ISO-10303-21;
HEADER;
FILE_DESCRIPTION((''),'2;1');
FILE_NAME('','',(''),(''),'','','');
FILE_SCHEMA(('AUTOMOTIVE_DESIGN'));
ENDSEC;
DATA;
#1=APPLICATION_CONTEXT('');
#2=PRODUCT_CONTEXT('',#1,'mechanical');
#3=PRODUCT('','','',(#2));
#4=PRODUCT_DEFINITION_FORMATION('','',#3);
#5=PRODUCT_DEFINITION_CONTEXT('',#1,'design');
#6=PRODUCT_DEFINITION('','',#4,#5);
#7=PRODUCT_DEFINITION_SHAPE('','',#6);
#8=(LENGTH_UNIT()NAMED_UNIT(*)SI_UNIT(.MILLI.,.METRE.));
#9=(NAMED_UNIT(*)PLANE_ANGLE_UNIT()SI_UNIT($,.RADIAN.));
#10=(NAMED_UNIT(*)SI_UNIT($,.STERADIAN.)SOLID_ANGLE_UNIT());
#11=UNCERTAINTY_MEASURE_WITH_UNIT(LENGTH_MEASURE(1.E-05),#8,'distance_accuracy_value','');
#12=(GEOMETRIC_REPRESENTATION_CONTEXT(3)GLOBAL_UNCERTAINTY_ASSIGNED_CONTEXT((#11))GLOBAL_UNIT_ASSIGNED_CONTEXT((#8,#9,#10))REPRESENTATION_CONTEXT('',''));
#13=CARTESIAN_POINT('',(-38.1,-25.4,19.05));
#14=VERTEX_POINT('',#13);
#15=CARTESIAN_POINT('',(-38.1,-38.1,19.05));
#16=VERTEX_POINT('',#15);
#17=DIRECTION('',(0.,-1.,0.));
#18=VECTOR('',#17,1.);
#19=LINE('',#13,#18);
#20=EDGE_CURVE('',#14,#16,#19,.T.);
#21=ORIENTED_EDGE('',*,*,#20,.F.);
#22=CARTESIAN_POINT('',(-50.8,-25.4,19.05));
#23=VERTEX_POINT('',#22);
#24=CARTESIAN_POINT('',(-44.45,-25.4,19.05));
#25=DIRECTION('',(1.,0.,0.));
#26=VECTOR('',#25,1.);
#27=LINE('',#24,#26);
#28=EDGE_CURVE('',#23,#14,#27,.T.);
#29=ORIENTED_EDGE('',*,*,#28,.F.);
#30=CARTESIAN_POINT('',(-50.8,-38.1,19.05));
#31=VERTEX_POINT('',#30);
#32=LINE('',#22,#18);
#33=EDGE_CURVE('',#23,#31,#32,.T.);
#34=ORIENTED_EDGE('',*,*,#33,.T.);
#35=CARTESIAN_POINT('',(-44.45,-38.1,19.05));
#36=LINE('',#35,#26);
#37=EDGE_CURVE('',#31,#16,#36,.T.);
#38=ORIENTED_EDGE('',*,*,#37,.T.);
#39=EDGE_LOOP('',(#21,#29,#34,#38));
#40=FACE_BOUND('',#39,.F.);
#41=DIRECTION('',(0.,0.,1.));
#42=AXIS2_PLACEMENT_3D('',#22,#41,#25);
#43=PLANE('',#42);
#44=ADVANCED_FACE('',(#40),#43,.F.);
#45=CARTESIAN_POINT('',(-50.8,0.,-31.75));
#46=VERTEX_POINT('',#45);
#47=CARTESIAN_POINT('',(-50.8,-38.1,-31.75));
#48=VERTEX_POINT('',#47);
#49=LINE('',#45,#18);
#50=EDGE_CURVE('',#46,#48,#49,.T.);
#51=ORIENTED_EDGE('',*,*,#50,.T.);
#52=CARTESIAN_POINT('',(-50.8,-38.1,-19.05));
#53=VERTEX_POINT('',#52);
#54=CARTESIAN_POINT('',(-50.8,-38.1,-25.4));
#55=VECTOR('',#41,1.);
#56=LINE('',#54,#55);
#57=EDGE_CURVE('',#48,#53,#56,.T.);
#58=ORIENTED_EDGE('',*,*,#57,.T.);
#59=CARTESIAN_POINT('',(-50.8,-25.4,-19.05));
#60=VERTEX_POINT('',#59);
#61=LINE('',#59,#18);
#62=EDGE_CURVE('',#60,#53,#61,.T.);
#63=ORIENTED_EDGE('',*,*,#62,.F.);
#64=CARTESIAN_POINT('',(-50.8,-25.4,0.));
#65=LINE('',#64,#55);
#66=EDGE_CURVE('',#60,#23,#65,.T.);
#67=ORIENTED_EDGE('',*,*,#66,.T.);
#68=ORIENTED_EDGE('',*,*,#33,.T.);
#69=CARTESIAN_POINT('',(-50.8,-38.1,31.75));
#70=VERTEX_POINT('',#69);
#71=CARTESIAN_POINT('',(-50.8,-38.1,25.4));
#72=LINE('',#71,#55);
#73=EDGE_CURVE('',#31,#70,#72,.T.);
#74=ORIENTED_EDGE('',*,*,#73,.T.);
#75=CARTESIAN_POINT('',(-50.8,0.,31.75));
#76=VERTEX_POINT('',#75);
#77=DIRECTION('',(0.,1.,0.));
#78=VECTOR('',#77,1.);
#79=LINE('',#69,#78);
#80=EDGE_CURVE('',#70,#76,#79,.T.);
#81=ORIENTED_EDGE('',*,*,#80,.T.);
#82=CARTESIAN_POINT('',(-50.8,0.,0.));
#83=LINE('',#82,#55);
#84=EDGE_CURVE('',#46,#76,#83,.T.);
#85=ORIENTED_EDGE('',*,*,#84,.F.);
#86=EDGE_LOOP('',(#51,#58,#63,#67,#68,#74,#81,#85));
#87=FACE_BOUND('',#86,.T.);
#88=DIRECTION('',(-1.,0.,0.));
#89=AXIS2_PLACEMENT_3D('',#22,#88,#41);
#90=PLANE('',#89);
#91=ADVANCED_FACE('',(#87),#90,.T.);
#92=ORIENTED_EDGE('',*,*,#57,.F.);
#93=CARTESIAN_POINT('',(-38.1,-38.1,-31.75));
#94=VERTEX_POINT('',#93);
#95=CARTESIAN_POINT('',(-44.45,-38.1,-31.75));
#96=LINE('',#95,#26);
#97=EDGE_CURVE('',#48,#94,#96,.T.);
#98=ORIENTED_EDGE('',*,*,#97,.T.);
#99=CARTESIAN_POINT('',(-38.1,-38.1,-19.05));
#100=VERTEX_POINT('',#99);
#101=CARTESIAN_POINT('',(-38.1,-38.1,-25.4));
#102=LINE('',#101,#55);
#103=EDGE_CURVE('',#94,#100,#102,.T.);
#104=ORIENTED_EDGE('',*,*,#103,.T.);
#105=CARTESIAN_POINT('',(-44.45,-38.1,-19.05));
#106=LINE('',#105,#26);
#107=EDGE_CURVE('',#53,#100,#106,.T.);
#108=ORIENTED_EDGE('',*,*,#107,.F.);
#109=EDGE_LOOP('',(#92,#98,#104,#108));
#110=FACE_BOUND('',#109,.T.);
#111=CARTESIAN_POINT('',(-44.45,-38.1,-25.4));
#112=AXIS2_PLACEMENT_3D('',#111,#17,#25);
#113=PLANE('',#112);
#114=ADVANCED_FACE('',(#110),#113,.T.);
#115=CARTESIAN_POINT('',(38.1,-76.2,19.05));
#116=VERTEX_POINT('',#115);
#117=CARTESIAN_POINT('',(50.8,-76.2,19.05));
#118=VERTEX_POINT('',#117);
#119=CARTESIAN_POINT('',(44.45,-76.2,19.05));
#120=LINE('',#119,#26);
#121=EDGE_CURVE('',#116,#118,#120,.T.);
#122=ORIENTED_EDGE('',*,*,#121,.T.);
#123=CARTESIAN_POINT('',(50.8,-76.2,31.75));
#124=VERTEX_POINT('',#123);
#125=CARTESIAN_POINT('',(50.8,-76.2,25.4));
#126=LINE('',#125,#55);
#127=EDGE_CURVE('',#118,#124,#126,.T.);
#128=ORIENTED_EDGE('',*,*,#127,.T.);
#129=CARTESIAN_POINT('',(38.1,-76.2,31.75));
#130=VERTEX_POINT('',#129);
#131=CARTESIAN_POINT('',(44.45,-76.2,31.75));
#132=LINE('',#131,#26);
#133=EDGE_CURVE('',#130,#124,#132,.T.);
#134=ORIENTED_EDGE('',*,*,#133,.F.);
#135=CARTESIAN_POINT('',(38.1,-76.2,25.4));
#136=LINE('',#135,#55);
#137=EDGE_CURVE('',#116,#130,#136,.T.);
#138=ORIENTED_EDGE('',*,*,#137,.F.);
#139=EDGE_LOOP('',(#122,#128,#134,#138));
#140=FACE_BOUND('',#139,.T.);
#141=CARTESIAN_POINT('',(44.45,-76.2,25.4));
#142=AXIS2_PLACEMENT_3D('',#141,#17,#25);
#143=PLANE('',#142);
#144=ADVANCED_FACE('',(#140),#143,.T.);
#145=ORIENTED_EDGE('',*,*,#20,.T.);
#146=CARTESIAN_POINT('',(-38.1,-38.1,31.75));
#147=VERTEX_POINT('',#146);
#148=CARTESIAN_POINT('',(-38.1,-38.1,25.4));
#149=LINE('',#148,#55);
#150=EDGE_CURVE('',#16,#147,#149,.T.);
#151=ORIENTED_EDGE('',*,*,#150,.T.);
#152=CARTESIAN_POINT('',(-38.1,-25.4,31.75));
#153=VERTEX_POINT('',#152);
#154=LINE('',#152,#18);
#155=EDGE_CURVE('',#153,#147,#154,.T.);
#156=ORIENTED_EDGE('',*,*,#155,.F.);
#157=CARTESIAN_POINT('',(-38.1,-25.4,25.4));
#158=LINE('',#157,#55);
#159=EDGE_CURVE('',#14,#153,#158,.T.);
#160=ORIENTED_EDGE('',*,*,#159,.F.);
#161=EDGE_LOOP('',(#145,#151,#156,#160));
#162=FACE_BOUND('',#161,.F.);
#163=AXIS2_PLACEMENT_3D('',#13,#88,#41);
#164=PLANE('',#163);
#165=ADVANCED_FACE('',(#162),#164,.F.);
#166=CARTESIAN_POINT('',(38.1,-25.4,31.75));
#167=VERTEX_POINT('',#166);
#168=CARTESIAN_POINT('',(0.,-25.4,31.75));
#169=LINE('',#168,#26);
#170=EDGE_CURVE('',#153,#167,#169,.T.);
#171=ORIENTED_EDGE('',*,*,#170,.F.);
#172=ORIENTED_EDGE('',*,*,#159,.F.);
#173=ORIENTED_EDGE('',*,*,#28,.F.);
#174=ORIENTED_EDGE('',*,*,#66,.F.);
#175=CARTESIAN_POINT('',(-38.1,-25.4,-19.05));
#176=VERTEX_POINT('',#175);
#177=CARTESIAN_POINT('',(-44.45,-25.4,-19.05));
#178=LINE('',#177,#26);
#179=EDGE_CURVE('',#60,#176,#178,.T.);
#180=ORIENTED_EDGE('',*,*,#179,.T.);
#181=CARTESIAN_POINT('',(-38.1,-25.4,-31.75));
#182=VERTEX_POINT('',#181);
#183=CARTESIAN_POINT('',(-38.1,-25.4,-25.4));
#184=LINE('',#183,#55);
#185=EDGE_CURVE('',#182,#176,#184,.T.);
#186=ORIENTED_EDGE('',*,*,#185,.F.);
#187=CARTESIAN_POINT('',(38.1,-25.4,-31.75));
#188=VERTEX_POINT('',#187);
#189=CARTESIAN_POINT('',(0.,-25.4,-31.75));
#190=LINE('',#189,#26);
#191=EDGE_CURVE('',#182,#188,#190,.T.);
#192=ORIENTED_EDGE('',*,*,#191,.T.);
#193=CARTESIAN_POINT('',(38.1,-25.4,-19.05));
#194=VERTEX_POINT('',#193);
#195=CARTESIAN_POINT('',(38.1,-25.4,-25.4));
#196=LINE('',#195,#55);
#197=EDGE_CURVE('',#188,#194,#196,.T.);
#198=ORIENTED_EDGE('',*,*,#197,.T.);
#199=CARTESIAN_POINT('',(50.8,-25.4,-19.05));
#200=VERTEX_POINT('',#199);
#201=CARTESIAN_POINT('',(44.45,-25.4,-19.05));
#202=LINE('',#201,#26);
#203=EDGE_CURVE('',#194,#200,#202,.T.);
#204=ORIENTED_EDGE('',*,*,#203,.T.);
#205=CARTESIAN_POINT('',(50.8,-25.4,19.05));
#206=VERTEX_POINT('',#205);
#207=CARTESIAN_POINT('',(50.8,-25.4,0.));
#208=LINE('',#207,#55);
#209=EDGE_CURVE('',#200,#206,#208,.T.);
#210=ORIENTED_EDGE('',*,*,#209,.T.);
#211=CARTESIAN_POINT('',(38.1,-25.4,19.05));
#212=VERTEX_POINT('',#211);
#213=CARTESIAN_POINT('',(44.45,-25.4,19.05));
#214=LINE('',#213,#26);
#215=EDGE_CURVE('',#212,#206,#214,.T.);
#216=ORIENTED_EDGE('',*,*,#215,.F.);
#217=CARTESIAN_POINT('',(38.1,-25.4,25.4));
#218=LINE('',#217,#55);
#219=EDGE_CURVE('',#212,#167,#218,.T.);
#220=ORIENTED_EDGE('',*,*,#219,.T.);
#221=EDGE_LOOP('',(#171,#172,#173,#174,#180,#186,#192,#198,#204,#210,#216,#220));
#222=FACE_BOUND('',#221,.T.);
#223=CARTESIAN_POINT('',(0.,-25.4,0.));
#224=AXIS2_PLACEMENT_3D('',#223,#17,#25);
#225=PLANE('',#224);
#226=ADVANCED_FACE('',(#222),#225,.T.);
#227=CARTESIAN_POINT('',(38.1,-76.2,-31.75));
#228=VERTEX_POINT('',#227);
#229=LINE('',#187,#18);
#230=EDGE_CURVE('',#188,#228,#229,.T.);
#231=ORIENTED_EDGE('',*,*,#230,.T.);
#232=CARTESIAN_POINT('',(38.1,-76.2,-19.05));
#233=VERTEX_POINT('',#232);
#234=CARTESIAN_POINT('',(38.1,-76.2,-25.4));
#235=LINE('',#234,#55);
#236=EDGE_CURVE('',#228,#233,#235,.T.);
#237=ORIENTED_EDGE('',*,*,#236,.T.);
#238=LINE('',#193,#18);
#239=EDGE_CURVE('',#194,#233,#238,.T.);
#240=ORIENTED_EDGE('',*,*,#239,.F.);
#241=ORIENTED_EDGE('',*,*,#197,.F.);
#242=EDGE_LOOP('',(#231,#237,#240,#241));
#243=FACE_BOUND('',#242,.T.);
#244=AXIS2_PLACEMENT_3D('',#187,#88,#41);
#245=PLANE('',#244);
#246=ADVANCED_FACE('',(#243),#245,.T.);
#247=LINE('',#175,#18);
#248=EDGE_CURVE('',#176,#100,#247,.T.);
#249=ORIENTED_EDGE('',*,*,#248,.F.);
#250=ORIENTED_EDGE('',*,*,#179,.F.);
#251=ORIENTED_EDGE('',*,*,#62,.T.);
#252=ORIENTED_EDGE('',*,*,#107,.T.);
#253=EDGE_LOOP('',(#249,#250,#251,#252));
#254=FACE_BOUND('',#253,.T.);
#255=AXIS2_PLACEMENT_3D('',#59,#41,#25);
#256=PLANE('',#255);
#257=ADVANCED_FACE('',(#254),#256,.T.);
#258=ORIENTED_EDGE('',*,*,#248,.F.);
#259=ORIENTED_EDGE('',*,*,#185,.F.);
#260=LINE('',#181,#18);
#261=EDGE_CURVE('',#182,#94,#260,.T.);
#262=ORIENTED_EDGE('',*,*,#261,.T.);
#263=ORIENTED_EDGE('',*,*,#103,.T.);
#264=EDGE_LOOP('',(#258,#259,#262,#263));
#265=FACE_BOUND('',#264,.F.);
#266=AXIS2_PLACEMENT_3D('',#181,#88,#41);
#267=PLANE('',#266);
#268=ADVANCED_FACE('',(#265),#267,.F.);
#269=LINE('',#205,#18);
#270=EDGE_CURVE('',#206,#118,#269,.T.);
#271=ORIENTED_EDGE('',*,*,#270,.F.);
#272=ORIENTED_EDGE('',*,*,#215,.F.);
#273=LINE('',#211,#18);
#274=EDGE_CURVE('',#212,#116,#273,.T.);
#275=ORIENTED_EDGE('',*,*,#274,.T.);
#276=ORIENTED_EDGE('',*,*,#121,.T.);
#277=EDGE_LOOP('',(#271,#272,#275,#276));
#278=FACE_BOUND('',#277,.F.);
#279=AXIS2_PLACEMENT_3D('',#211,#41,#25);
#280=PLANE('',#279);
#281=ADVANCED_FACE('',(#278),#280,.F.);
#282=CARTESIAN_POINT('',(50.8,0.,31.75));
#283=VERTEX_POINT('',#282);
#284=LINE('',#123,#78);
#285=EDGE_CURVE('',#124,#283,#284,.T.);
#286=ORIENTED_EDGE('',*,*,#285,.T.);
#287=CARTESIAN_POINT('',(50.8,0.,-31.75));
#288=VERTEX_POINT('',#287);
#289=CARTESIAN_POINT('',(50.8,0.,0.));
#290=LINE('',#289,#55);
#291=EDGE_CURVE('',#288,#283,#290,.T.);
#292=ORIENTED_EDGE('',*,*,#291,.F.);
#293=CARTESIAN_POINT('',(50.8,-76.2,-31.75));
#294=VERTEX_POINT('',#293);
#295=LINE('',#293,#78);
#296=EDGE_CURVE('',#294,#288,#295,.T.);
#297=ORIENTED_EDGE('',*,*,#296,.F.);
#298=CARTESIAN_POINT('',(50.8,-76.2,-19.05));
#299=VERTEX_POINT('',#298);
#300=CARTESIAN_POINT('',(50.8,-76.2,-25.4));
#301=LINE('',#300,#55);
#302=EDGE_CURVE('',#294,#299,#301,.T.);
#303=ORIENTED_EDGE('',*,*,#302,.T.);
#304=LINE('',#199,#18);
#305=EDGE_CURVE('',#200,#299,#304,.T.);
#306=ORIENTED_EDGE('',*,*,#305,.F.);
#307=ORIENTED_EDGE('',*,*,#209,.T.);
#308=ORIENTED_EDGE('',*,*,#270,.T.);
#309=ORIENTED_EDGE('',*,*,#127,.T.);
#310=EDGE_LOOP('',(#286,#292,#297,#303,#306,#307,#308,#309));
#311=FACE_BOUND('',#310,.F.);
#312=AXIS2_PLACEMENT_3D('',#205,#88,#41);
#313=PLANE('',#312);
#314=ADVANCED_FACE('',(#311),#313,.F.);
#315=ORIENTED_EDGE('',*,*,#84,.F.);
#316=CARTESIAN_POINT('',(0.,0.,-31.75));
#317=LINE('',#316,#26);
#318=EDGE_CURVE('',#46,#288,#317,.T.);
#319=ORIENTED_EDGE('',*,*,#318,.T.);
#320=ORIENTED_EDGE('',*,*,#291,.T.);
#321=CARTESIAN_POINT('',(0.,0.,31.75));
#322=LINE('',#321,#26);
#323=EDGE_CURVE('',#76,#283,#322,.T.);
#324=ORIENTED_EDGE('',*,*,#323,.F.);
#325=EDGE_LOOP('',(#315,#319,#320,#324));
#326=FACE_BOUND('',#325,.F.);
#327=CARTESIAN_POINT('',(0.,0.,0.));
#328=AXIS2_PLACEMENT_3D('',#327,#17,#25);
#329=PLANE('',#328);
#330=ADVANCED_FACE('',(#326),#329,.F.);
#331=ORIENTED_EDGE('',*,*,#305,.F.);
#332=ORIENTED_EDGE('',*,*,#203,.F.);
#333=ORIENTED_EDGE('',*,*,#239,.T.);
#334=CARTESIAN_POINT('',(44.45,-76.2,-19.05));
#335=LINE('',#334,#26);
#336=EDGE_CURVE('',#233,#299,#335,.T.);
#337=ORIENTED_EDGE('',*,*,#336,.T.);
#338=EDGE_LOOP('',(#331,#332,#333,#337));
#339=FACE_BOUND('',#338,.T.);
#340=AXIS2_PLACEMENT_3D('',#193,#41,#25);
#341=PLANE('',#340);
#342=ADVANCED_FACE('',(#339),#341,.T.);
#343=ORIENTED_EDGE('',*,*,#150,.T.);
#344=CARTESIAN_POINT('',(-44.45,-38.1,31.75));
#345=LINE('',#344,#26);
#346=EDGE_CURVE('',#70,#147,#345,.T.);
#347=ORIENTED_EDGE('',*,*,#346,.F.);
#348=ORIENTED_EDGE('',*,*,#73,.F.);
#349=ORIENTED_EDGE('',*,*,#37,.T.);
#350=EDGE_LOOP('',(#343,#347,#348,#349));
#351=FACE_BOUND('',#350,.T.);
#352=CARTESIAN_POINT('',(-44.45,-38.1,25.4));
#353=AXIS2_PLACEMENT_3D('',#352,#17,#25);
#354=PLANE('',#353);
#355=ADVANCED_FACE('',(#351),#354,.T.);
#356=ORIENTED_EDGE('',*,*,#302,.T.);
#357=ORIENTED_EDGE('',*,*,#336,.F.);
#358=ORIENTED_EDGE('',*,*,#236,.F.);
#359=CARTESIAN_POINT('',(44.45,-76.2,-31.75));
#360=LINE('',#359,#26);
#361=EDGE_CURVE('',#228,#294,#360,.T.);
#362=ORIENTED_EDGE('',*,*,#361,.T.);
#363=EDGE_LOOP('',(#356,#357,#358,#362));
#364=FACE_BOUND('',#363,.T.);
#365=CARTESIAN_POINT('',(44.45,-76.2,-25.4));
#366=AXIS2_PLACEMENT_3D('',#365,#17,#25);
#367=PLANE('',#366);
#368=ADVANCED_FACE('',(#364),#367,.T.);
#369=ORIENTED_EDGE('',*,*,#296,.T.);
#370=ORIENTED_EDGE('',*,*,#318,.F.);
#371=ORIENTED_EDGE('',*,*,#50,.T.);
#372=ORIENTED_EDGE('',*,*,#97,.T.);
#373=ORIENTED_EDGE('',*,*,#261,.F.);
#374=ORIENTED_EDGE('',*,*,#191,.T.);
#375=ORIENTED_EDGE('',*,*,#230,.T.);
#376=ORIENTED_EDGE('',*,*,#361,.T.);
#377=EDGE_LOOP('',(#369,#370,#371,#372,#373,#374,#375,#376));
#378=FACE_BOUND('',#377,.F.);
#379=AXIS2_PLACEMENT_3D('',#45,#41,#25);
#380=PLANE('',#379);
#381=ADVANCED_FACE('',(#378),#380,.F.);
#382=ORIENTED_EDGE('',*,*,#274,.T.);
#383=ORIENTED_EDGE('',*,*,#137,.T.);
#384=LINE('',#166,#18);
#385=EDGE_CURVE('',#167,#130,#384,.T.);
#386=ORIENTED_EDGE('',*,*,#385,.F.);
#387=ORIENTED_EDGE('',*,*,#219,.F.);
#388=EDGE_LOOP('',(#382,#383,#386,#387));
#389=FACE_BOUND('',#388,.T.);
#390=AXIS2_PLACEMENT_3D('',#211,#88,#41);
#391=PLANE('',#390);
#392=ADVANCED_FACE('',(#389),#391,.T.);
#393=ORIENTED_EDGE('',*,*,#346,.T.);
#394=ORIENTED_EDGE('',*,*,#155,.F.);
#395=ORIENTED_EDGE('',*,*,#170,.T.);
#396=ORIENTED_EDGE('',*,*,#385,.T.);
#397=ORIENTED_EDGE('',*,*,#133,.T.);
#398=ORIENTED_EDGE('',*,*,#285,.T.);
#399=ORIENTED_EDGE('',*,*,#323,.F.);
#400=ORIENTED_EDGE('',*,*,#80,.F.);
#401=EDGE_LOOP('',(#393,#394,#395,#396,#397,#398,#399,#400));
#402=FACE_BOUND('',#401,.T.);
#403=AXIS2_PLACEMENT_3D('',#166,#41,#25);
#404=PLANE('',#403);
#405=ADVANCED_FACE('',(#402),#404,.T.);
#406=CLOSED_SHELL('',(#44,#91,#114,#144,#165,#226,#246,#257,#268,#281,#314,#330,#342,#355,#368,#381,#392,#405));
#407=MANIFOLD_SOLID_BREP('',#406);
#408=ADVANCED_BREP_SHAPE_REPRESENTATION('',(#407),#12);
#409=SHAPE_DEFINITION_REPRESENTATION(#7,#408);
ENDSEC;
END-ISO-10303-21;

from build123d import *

# Parameters (mm, degrees)
F0_W     = 101.6
F0_H     = 63.5
F1_DEPTH = 25.4
F2_W     = 12.7
F2_H     = 12.7
F3_DEPTH = 12.7
F4_DEPTH = 50.8


with BuildPart() as f1:
    # F0 (on Front) → F1 (new body)
    with BuildSketch(Plane.XZ):
        Rectangle(F0_W, F0_H)
    extrude(amount=F1_DEPTH)

    # F2 (on face) → F3 (join)
    with BuildSketch(Plane.XZ.offset(25.4)):
        with Locations((-44.45, 25.4)):
            Rectangle(F2_W, F2_H)
        with Locations((-44.45, -25.4)):
            Rectangle(F2_W, F2_H)
    extrude(amount=F3_DEPTH)

    # F2 (on face) → F4 (join)
    with BuildSketch(Plane.XZ.offset(25.4)):
        with Locations((44.45, 25.4)):
            Rectangle(F2_W, F2_H)
        with Locations((44.45, -25.4)):
            Rectangle(F2_W, F2_H)
    extrude(amount=F4_DEPTH)


solid = f1.part
